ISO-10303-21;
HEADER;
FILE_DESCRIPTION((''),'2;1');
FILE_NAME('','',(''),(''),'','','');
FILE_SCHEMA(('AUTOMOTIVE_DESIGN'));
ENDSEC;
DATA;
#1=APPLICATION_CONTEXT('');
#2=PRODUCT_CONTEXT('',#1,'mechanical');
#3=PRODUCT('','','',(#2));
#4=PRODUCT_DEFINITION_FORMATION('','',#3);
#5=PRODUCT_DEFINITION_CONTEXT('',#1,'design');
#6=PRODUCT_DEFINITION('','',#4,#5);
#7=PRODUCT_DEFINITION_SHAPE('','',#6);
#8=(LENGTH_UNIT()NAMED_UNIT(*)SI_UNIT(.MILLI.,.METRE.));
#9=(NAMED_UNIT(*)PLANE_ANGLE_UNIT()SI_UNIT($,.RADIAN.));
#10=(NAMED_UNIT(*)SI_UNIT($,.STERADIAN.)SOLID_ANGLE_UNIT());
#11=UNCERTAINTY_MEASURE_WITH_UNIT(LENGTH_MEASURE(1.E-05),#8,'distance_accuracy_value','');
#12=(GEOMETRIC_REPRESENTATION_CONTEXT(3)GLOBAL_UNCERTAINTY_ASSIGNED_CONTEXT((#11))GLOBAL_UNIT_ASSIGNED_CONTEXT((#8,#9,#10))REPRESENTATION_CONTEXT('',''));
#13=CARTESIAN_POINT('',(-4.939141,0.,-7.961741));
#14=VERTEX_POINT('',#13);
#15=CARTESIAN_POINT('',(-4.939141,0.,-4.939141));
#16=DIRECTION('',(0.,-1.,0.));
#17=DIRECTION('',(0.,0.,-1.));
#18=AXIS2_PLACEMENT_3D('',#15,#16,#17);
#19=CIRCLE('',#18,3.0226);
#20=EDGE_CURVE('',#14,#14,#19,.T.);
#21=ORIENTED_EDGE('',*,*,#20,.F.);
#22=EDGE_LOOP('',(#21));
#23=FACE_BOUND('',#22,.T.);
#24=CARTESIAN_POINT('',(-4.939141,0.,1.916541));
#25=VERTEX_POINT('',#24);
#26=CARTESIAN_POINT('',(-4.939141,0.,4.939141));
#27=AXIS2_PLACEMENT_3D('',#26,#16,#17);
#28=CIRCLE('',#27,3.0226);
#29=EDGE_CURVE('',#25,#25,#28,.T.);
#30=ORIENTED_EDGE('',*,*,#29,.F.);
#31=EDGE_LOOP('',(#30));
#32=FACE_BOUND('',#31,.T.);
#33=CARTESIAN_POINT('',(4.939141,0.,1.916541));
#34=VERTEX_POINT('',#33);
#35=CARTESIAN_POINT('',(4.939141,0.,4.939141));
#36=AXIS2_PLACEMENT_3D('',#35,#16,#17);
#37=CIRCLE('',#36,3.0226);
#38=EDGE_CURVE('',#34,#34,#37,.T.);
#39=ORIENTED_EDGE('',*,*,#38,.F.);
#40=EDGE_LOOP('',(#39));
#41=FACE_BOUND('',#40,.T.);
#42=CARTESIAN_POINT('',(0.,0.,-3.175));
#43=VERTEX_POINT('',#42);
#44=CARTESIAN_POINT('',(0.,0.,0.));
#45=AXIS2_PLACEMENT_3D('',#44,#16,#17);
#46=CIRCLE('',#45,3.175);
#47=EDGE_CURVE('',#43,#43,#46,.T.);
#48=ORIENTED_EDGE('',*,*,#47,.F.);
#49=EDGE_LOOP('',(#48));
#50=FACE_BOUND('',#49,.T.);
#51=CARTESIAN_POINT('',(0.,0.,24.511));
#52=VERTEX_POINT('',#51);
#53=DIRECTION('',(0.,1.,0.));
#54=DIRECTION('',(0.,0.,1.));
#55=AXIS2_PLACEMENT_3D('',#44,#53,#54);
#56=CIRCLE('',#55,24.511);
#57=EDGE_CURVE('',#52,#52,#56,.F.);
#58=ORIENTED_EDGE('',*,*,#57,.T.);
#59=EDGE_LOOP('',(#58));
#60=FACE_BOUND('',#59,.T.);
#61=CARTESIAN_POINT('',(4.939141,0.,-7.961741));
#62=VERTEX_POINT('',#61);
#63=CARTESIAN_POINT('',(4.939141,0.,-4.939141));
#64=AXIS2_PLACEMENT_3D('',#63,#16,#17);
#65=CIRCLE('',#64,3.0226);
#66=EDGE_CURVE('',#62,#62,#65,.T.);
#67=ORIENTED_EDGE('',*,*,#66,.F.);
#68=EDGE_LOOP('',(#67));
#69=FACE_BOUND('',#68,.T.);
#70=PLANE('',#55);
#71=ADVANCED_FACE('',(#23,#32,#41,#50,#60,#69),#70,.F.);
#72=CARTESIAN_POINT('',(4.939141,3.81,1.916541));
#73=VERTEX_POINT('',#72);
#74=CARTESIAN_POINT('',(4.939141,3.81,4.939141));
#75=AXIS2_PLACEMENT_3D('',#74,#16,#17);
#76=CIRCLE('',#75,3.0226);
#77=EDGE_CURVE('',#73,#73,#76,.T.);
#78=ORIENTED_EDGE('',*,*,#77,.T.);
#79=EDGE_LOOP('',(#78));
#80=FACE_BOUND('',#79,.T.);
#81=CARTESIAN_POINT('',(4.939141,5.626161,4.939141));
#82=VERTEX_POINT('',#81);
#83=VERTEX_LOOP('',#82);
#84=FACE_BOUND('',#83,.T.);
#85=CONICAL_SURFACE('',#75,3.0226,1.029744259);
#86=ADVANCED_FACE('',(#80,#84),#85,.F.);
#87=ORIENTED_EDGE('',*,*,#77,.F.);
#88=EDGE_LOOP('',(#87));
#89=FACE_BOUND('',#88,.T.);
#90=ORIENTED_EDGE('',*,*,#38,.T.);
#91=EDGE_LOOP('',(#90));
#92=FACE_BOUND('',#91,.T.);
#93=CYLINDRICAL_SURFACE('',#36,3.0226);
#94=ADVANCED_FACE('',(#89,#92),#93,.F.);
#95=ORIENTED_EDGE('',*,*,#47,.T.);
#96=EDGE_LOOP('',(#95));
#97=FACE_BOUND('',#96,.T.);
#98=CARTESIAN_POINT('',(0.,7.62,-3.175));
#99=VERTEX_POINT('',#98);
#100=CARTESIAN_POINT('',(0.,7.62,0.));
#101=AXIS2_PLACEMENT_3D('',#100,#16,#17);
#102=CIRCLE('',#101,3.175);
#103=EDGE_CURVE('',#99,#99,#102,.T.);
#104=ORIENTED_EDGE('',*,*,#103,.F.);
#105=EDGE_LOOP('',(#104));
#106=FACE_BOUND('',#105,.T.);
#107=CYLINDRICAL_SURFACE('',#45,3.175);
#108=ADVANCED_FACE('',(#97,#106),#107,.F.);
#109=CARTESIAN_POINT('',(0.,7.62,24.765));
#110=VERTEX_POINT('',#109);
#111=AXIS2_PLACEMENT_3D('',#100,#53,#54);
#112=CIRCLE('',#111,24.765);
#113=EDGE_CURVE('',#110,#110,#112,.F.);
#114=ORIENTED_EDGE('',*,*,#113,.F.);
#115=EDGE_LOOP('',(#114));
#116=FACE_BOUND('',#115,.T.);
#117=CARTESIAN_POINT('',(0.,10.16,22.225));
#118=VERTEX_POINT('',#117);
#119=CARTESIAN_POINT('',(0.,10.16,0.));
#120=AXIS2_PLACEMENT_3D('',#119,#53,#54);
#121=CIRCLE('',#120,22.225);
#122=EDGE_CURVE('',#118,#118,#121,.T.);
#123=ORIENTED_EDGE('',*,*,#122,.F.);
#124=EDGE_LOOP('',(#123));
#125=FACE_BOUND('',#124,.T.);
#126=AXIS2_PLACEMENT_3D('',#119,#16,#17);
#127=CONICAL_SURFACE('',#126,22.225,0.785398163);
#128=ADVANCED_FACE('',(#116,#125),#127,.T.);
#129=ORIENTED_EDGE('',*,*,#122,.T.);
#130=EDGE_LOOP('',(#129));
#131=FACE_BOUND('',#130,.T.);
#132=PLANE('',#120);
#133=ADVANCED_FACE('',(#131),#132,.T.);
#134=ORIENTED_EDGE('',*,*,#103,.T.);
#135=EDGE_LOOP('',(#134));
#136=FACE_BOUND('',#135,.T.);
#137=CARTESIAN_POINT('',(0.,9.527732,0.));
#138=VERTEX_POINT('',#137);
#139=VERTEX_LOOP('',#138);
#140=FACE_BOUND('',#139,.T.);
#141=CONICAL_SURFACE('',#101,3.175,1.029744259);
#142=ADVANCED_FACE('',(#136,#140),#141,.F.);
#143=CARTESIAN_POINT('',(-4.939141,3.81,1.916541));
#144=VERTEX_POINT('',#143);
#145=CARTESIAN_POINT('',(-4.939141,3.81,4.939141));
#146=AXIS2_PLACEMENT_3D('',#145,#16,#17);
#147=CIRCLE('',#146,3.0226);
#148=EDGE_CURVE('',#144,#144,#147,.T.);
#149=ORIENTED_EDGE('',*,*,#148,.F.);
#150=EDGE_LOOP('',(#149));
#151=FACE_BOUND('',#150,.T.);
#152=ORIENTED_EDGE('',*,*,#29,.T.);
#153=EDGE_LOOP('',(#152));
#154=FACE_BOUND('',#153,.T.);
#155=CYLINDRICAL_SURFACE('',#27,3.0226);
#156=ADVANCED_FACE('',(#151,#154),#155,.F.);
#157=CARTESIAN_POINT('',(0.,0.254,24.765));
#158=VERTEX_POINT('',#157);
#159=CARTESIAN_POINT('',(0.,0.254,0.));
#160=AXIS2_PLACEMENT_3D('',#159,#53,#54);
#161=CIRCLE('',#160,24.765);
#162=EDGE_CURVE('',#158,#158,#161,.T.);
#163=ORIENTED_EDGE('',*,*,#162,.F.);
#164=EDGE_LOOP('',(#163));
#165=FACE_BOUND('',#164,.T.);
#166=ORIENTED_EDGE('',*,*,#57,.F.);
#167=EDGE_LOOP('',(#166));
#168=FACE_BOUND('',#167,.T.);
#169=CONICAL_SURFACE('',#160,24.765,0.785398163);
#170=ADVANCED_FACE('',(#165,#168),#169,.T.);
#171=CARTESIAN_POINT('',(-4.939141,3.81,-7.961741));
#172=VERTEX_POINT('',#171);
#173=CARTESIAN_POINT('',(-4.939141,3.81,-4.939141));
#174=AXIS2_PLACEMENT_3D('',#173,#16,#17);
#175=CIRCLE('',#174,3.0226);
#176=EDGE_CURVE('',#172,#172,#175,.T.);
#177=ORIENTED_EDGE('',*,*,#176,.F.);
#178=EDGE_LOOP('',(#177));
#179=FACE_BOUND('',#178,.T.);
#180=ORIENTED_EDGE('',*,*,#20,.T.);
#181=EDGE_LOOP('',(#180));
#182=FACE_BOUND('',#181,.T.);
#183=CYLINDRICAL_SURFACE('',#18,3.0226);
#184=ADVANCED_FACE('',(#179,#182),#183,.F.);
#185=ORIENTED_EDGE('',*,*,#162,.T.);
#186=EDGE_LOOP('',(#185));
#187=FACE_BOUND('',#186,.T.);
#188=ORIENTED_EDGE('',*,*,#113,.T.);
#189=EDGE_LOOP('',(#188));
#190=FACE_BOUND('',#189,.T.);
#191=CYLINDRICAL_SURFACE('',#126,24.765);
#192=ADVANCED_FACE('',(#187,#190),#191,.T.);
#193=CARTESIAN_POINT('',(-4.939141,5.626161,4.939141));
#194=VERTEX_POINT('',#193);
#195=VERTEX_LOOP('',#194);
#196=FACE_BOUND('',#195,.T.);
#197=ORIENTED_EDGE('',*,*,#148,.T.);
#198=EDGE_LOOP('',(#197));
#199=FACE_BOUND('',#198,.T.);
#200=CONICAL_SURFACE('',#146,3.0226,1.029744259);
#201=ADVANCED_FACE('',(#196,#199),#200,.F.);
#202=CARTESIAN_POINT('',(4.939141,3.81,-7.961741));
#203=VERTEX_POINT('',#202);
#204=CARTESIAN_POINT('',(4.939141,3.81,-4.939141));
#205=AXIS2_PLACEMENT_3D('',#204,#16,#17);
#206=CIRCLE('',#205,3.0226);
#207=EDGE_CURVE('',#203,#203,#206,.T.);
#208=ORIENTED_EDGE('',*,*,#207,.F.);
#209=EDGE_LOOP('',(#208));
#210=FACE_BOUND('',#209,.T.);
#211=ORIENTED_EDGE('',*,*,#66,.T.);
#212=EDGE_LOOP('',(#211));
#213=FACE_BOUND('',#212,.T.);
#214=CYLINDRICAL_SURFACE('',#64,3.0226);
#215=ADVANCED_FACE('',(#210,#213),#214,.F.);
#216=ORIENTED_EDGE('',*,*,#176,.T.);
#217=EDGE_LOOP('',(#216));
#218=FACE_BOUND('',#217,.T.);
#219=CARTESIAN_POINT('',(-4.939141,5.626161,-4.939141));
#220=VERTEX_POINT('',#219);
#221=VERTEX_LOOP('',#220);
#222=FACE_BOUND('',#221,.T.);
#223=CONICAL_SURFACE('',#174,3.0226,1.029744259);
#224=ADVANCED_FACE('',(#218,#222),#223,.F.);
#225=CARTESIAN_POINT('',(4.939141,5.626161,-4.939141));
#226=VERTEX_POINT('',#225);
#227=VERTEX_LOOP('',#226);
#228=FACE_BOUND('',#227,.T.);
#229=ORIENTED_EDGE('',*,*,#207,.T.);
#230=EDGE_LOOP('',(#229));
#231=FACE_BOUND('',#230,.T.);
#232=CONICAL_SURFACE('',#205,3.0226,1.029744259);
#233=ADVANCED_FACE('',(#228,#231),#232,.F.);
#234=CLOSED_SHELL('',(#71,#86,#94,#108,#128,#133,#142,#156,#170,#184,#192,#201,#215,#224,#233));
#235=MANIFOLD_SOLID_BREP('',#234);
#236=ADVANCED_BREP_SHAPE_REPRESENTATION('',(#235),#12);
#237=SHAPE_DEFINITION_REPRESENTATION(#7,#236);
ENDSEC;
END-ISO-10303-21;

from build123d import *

# Parameters (mm, degrees)
SKETCH2_R                       = 24.765
BOSS_EXTRUDE1_DEPTH             = 10.16
CHAMFER1_SIZE                   = 2.54
CHAMFER2_SIZE                   = 0.254
B_0_238_DIAMETER_HOLE1_D        = 6.0452
B_0_238_DIAMETER_HOLE1_DEPTH    = 3.81
B_0_238_DIAMETER_HOLE1_TIP      = 1.816161307
F_1_4_0_25_DIAMETER_HOLE1_D     = 6.35
F_1_4_0_25_DIAMETER_HOLE1_DEPTH = 7.62
F_1_4_0_25_DIAMETER_HOLE1_TIP   = 1.907732465


with BuildPart() as part:
    # Sketch2 → Boss-Extrude1 (new body)
    with BuildSketch(Plane(origin=(0, 0, 0), x_dir=(1, 0, 0), z_dir=(0, 1, 0))):
        Circle(SKETCH2_R)
    extrude(amount=BOSS_EXTRUDE1_DEPTH)

    # Chamfer1
    chamfer1_edges = [part.edges().sort_by_distance(p)[0] for p in [
        (-24.765, 10.16, 0),
    ]]
    chamfer(chamfer1_edges, length=CHAMFER1_SIZE)

    # Chamfer2
    chamfer2_edges = [part.edges().sort_by_distance(p)[0] for p in [
        (-24.765, 0, 0),
    ]]
    chamfer(chamfer2_edges, length=CHAMFER2_SIZE)

    # B (0.238) Diameter Hole1
    with Locations(Plane(origin=(0, 0, 0), x_dir=(-1, 0, 0), z_dir=(0, -1, 0))):
        with Locations((-4.939140867, 4.939140867), (4.939140867, 4.939140867), (4.939140867, -4.939140867), (-4.939140867, -4.939140867)):
            Hole(B_0_238_DIAMETER_HOLE1_D / 2, depth=B_0_238_DIAMETER_HOLE1_DEPTH)
            with Locations((0, 0, -(B_0_238_DIAMETER_HOLE1_DEPTH + B_0_238_DIAMETER_HOLE1_TIP / 2))):  # 118° drill point
                Cone(0, B_0_238_DIAMETER_HOLE1_D / 2, B_0_238_DIAMETER_HOLE1_TIP, mode=Mode.SUBTRACT)

    # 1/4 (0.25) Diameter Hole1
    with Locations(Plane(origin=(0, 0, 0), x_dir=(-1, 0, 0), z_dir=(0, -1, 0))):
        with Locations((0, 0)):
            Hole(F_1_4_0_25_DIAMETER_HOLE1_D / 2, depth=F_1_4_0_25_DIAMETER_HOLE1_DEPTH)
            with Locations((0, 0, -(F_1_4_0_25_DIAMETER_HOLE1_DEPTH + F_1_4_0_25_DIAMETER_HOLE1_TIP / 2))):  # 118° drill point
                Cone(0, F_1_4_0_25_DIAMETER_HOLE1_D / 2, F_1_4_0_25_DIAMETER_HOLE1_TIP, mode=Mode.SUBTRACT)


solid = part.part
